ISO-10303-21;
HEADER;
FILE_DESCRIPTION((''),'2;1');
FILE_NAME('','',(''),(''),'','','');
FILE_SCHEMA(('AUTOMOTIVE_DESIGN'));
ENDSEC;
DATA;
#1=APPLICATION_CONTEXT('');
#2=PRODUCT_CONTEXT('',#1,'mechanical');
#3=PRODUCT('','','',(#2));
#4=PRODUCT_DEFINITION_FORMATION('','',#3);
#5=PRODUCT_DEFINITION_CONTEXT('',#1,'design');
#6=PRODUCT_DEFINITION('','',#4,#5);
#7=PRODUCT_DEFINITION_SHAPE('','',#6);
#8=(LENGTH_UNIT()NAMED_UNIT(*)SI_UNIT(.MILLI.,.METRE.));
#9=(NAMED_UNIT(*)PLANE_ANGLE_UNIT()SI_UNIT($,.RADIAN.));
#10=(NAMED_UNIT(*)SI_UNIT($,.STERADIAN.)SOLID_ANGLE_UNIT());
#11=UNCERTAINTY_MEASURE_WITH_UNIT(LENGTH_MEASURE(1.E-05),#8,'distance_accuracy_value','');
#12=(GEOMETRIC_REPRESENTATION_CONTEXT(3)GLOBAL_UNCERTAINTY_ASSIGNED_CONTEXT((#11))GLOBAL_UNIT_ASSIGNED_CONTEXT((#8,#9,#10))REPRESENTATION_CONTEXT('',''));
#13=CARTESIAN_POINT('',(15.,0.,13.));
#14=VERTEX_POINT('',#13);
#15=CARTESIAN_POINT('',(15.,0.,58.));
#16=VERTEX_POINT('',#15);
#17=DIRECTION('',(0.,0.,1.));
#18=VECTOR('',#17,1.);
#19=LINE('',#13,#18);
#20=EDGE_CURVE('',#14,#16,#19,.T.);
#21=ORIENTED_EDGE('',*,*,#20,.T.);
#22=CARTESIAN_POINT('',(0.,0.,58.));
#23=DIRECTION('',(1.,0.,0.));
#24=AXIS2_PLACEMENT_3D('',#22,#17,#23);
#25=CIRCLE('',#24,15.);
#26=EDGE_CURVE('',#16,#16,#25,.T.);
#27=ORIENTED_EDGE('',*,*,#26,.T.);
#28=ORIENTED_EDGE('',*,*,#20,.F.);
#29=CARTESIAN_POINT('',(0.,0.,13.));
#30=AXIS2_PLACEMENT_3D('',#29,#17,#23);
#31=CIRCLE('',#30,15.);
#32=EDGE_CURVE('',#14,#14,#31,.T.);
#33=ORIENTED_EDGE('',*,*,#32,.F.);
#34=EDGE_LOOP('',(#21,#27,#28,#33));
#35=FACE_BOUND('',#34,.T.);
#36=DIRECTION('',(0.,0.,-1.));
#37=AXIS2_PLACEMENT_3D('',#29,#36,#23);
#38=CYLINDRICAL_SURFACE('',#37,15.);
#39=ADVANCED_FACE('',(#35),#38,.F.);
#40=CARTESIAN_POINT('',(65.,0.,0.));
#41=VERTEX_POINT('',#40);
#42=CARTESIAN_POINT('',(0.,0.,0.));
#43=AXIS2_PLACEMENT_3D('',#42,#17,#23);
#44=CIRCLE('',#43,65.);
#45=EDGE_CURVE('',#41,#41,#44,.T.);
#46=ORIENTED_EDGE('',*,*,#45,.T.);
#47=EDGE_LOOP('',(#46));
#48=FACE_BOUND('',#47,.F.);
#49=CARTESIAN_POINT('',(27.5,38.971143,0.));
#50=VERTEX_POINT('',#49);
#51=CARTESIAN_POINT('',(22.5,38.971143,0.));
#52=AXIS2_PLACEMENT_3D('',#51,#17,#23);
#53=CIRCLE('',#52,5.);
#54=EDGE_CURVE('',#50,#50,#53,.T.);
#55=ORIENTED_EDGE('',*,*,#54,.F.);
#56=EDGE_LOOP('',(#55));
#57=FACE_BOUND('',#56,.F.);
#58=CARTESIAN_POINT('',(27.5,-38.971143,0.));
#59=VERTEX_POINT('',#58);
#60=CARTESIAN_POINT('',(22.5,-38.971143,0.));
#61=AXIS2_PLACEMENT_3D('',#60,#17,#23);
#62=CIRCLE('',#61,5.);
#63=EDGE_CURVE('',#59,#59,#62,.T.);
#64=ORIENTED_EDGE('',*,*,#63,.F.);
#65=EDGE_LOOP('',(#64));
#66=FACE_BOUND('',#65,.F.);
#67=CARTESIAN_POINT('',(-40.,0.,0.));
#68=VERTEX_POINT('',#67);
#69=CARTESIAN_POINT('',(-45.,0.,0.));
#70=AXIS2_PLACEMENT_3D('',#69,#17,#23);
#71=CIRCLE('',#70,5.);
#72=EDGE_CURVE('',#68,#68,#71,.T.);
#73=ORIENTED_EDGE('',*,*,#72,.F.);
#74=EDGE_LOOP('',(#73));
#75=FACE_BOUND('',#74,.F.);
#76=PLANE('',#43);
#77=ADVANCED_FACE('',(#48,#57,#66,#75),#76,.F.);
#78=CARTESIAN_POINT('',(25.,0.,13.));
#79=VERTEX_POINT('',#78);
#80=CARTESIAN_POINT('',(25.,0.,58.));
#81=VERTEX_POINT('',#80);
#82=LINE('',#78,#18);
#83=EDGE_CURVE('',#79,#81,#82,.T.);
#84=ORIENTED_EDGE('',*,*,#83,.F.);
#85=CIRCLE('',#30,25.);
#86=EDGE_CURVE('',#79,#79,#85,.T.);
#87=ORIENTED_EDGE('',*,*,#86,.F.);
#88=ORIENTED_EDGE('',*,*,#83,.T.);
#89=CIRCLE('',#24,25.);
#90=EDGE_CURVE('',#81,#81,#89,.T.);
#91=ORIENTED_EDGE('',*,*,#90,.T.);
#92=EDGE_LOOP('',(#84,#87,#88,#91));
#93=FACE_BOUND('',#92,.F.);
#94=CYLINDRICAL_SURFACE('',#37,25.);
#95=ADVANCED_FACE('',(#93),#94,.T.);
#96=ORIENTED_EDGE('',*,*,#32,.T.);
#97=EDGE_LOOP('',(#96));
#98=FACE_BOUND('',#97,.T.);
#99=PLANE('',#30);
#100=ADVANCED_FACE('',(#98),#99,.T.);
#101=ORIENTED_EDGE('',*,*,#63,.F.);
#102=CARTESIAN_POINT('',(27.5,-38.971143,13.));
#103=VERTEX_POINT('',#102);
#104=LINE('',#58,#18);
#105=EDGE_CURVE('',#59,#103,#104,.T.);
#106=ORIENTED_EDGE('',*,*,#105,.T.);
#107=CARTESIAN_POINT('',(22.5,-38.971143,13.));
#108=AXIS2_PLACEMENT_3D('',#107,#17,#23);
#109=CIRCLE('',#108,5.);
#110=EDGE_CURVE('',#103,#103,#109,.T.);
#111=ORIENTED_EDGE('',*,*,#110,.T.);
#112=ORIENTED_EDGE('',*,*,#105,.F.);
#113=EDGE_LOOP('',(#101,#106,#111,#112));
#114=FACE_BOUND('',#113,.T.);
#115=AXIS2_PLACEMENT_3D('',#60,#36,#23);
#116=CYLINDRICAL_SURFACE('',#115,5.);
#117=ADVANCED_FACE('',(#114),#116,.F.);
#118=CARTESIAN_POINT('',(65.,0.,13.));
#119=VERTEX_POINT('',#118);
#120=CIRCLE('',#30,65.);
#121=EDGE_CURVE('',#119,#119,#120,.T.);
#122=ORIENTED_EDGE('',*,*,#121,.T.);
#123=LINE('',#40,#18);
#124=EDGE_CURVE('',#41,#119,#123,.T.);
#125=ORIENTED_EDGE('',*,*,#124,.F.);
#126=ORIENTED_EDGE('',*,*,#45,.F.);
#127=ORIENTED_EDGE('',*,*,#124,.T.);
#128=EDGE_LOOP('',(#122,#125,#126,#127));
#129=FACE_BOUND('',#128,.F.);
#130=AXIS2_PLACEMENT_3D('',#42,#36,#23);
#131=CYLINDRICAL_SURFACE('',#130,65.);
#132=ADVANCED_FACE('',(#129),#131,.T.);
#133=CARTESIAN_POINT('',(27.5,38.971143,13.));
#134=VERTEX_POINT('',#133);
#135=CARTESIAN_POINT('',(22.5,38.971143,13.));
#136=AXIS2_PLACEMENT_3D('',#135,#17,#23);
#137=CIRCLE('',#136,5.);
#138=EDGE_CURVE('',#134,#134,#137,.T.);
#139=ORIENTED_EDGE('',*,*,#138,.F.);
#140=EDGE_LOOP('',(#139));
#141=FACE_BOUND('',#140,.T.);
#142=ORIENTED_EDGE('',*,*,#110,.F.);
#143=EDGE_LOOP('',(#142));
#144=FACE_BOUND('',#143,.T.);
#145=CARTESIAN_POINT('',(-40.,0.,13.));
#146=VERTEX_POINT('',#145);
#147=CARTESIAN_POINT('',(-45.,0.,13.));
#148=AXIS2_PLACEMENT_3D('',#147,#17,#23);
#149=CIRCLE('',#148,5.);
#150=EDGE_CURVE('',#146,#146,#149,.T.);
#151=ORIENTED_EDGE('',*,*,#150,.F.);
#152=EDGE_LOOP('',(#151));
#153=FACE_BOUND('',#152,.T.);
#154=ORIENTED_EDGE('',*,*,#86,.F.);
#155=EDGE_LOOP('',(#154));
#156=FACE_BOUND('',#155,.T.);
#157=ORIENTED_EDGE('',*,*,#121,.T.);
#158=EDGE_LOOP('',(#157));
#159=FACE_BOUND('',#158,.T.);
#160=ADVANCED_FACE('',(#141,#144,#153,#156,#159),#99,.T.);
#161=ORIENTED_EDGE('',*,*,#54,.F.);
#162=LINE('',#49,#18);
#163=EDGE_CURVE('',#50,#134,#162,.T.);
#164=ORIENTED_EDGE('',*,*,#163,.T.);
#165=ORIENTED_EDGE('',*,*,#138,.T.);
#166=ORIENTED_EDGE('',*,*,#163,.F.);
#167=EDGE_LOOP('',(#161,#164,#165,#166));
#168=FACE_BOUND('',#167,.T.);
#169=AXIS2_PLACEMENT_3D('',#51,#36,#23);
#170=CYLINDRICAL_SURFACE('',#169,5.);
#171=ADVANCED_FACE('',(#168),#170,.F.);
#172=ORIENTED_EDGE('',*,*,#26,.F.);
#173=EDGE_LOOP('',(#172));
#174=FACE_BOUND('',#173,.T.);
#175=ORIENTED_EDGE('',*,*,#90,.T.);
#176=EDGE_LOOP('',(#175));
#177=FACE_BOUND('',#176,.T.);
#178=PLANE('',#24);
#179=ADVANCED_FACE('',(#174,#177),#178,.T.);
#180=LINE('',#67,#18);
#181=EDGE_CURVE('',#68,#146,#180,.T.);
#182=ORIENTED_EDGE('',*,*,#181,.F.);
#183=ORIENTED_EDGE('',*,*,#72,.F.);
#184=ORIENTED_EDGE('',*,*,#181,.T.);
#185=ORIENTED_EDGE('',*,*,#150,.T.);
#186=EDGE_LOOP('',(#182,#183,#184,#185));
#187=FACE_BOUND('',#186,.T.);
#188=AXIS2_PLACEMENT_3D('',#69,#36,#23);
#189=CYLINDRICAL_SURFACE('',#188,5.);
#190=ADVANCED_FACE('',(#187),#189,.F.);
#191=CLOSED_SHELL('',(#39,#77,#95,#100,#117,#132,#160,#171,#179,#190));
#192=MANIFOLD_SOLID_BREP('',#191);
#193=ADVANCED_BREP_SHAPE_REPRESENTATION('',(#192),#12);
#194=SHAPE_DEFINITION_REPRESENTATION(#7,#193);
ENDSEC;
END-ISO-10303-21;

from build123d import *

# Parameters (mm, degrees)
SKETCH_R      = 65
SKETCH_R_2    = 5
PAD_DEPTH     = 13
SKETCH001_R   = 25
SKETCH001_R_2 = 15
PAD001_DEPTH  = 45


with BuildPart() as part:
    # Sketch → Pad (new body)
    with BuildSketch(Plane.XY):
        Circle(SKETCH_R)
        with Locations((22.5, 38.971143)):
            Circle(SKETCH_R_2, mode=Mode.SUBTRACT)
        with Locations((-45, 0)):
            Circle(SKETCH_R_2, mode=Mode.SUBTRACT)
        with Locations((22.5, -38.971143)):
            Circle(SKETCH_R_2, mode=Mode.SUBTRACT)
    extrude(amount=PAD_DEPTH)

    # Sketch001 (on Face6 of Pad) → Pad001 (join)
    with BuildSketch(Plane.XY.offset(13)):
        Circle(SKETCH001_R)
        Circle(SKETCH001_R_2, mode=Mode.SUBTRACT)
    extrude(amount=PAD001_DEPTH)


solid = part.part
